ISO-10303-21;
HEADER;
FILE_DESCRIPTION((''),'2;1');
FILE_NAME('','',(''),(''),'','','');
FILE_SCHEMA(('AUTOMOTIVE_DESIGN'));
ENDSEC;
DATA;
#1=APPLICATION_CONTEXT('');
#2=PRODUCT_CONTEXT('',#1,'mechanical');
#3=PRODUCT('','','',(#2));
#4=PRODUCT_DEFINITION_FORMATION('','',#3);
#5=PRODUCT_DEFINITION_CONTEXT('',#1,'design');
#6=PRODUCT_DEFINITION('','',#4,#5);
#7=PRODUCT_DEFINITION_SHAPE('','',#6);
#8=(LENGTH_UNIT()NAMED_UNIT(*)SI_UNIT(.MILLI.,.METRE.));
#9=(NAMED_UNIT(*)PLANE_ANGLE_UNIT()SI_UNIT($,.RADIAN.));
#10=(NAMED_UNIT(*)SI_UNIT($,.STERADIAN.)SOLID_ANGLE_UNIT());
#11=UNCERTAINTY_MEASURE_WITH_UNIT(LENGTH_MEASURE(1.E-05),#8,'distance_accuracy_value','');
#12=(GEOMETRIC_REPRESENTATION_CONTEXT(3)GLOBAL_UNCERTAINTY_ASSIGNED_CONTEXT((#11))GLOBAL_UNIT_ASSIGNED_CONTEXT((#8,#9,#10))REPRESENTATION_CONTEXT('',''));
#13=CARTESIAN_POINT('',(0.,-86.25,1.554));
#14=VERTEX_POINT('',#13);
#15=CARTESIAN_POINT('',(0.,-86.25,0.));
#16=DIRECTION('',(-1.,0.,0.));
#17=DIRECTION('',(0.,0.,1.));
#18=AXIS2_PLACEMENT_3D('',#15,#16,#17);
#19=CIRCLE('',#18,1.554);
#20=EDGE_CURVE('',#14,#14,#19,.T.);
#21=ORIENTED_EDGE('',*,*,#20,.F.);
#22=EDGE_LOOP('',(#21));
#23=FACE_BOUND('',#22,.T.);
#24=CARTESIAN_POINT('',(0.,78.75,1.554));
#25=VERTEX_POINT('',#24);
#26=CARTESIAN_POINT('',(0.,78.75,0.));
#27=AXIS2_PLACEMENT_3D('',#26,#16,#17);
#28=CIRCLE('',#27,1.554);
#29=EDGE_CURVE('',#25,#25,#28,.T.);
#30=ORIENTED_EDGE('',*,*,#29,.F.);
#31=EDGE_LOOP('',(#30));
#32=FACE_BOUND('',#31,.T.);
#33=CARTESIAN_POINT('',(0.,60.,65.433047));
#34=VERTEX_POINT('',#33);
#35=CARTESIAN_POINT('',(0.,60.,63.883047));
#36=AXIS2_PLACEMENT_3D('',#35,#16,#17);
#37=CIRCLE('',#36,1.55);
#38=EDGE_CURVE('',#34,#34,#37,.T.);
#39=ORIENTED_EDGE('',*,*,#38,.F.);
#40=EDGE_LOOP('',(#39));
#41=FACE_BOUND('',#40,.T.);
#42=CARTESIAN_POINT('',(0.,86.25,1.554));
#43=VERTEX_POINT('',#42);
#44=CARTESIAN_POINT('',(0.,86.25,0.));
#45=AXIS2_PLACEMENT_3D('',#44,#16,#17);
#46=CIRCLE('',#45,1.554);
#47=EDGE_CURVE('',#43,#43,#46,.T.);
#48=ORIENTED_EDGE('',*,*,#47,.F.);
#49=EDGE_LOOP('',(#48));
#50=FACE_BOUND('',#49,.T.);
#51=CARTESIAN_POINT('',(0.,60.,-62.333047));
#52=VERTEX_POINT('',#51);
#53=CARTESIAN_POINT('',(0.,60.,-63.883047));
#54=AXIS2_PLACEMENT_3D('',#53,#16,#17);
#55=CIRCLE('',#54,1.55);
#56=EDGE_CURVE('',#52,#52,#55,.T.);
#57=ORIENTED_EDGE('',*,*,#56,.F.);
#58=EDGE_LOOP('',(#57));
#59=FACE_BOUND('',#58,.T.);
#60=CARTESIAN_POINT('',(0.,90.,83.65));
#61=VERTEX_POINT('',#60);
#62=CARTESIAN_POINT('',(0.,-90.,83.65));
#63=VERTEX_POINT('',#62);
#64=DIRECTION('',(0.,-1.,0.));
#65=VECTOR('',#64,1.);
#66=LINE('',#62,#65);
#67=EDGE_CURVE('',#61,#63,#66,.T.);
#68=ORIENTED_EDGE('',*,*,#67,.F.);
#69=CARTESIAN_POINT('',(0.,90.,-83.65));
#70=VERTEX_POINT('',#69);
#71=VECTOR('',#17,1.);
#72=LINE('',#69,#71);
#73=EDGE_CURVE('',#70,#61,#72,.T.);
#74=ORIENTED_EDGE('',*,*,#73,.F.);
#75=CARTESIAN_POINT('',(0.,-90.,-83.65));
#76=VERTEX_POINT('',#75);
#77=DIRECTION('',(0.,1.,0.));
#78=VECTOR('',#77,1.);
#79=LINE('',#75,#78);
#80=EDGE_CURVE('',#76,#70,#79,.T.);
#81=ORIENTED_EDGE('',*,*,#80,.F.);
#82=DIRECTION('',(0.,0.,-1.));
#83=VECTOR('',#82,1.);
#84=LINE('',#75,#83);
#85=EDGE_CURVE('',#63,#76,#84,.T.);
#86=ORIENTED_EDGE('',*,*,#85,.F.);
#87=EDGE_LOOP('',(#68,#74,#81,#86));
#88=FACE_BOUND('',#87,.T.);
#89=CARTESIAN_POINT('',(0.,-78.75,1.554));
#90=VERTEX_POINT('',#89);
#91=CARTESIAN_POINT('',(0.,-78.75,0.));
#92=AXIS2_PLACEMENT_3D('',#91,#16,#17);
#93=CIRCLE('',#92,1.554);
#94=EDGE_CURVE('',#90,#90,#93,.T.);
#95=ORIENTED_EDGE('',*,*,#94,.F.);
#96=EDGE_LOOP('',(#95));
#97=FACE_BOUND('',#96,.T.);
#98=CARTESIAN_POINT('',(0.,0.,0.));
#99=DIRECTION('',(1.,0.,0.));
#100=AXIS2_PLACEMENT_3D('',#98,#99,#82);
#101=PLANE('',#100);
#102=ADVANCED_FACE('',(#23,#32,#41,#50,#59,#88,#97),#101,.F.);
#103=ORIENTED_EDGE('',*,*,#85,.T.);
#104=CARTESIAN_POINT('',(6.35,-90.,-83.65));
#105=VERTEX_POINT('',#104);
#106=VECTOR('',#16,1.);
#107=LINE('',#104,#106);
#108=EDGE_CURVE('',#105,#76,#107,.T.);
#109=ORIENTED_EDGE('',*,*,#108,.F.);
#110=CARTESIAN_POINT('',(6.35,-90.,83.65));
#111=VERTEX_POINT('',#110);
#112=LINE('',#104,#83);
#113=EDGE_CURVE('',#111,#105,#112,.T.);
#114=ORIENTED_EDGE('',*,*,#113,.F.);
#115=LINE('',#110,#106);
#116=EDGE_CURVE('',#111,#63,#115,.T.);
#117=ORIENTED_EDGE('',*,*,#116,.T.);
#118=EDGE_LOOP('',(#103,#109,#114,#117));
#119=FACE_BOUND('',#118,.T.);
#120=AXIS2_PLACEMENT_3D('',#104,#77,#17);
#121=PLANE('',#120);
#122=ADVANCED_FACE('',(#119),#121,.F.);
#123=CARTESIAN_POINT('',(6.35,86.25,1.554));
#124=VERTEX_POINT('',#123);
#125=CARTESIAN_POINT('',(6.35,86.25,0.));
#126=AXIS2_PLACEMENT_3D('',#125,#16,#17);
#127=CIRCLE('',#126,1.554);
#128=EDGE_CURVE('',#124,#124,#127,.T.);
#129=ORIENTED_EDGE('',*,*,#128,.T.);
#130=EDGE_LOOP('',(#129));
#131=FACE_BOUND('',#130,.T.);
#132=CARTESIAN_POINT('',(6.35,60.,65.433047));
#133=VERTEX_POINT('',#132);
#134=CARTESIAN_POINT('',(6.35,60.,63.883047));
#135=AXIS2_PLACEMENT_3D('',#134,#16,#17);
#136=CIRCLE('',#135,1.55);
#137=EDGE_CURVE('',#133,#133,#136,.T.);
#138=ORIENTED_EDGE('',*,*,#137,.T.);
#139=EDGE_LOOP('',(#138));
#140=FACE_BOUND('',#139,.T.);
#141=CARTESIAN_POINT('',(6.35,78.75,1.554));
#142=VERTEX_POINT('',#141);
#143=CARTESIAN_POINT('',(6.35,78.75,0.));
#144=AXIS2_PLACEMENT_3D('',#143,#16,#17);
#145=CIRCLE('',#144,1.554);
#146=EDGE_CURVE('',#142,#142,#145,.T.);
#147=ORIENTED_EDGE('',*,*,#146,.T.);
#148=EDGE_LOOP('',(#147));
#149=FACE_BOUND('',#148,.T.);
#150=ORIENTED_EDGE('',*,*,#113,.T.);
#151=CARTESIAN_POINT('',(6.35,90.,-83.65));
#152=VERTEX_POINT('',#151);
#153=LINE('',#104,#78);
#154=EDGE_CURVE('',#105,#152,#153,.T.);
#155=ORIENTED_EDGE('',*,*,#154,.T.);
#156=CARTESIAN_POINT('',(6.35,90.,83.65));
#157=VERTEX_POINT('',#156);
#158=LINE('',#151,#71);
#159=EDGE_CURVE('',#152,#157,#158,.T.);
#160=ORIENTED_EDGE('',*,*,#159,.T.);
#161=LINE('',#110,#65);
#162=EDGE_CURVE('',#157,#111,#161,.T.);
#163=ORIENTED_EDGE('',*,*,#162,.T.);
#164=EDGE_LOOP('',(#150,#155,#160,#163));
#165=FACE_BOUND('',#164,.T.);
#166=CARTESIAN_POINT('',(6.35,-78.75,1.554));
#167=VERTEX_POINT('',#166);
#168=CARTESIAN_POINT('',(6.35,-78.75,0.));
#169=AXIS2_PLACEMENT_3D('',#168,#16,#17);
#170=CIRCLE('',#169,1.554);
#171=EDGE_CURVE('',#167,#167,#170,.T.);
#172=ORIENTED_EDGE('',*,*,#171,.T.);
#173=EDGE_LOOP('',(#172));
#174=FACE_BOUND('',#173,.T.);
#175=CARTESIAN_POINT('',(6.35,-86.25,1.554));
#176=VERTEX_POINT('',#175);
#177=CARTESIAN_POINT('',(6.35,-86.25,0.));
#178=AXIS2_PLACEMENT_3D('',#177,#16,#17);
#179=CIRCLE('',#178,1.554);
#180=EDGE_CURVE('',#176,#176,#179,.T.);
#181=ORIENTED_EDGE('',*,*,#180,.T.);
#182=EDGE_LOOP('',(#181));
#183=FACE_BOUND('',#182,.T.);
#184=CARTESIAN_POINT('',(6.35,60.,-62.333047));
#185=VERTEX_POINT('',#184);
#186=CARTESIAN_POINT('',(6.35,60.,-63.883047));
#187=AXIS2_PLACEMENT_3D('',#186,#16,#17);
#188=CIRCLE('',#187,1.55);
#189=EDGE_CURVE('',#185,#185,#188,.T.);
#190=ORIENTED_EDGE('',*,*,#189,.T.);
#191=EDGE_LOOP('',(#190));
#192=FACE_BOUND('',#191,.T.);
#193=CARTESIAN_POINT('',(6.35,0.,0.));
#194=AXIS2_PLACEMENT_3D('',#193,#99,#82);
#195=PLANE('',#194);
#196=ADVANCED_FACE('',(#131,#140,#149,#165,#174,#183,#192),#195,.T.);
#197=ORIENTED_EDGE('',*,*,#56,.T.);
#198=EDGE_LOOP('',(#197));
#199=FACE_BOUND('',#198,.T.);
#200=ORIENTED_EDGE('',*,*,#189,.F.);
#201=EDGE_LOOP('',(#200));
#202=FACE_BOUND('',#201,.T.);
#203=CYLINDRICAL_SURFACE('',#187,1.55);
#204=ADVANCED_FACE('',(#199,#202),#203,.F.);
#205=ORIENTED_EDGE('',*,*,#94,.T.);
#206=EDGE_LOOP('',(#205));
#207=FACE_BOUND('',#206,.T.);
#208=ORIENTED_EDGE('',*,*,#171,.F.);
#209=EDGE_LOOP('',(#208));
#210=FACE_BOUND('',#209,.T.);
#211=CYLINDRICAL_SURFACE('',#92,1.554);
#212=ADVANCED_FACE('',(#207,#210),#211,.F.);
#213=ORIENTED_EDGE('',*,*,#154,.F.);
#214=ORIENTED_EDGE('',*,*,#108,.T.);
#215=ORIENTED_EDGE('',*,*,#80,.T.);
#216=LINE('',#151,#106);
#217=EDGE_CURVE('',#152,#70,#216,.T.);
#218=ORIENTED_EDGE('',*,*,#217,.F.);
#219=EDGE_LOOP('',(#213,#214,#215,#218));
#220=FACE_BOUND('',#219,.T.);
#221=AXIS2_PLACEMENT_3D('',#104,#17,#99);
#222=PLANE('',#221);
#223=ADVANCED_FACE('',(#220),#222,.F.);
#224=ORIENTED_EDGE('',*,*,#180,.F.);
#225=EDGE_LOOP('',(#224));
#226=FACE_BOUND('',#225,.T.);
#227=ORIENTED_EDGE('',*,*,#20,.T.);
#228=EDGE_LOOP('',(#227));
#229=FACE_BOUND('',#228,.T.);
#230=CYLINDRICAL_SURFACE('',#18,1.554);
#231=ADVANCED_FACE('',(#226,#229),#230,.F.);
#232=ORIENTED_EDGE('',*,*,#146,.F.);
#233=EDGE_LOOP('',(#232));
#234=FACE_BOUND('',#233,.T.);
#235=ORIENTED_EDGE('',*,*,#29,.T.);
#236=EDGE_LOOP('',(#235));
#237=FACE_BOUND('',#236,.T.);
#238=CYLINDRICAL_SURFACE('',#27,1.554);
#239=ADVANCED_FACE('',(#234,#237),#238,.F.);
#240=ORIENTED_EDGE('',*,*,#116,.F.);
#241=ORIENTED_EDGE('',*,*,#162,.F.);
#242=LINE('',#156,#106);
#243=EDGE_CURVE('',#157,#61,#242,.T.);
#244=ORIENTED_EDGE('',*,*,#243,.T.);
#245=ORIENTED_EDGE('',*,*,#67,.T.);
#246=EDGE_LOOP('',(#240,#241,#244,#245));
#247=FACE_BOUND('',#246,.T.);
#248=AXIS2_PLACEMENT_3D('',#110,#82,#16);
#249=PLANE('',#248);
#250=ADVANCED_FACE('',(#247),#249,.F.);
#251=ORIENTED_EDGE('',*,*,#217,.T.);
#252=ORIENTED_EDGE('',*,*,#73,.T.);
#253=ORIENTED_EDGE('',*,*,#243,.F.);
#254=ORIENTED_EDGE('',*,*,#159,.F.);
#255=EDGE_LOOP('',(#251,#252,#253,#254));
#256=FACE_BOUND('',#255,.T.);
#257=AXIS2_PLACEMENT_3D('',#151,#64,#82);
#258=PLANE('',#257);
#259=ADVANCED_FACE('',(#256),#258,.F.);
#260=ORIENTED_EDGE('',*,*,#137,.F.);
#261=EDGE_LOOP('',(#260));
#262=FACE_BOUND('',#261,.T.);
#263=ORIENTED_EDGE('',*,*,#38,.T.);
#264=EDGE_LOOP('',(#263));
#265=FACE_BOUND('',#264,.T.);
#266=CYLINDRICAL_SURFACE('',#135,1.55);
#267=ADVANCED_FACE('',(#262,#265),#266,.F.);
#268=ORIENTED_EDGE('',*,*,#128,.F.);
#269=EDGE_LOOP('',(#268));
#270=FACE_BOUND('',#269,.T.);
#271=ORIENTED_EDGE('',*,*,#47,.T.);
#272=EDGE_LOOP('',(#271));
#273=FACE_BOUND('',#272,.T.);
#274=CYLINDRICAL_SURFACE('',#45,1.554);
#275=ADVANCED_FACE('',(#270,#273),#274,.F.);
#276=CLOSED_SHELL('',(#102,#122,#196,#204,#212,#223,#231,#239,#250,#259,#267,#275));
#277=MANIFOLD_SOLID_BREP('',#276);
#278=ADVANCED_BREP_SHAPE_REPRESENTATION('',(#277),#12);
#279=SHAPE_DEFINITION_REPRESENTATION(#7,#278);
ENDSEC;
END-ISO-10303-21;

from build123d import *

# Parameters (mm, degrees)
SKETCH1_W                       = 167.3
SKETCH1_H                       = 180
BOSS_EXTRUDE1_DEPTH             = 6.35
SKETCH2_R                       = 1.55
CUT_EXTRUDE1_DEPTH              = 124.035137258
F_3_0MM_CLEARANCE_DOWEL_HOLE1_D = 3.108


with BuildPart() as part:
    # Sketch1 → Boss-Extrude1 (new body)
    with BuildSketch(Plane(origin=(0, 0, 0), x_dir=(0, 0, -1), z_dir=(1, 0, 0))):
        Rectangle(SKETCH1_W, SKETCH1_H)
    extrude(amount=BOSS_EXTRUDE1_DEPTH)

    # Sketch2 → Cut-Extrude1 (cut, through all)
    with BuildSketch(Plane.ZY):
        with Locations((-63.88304723, 60)):
            Circle(SKETCH2_R)
        with Locations((63.88304723, 60)):
            Circle(SKETCH2_R)
    extrude(amount=-CUT_EXTRUDE1_DEPTH, mode=Mode.SUBTRACT)

    # Ø3.0mm Clearance Dowel Hole1 (through all)
    with Locations(Plane.ZY):
        with Locations((0, 86.25), (0, 78.75), (0, -78.75), (0, -86.25)):
            Hole(F_3_0MM_CLEARANCE_DOWEL_HOLE1_D / 2)


solid = part.part
